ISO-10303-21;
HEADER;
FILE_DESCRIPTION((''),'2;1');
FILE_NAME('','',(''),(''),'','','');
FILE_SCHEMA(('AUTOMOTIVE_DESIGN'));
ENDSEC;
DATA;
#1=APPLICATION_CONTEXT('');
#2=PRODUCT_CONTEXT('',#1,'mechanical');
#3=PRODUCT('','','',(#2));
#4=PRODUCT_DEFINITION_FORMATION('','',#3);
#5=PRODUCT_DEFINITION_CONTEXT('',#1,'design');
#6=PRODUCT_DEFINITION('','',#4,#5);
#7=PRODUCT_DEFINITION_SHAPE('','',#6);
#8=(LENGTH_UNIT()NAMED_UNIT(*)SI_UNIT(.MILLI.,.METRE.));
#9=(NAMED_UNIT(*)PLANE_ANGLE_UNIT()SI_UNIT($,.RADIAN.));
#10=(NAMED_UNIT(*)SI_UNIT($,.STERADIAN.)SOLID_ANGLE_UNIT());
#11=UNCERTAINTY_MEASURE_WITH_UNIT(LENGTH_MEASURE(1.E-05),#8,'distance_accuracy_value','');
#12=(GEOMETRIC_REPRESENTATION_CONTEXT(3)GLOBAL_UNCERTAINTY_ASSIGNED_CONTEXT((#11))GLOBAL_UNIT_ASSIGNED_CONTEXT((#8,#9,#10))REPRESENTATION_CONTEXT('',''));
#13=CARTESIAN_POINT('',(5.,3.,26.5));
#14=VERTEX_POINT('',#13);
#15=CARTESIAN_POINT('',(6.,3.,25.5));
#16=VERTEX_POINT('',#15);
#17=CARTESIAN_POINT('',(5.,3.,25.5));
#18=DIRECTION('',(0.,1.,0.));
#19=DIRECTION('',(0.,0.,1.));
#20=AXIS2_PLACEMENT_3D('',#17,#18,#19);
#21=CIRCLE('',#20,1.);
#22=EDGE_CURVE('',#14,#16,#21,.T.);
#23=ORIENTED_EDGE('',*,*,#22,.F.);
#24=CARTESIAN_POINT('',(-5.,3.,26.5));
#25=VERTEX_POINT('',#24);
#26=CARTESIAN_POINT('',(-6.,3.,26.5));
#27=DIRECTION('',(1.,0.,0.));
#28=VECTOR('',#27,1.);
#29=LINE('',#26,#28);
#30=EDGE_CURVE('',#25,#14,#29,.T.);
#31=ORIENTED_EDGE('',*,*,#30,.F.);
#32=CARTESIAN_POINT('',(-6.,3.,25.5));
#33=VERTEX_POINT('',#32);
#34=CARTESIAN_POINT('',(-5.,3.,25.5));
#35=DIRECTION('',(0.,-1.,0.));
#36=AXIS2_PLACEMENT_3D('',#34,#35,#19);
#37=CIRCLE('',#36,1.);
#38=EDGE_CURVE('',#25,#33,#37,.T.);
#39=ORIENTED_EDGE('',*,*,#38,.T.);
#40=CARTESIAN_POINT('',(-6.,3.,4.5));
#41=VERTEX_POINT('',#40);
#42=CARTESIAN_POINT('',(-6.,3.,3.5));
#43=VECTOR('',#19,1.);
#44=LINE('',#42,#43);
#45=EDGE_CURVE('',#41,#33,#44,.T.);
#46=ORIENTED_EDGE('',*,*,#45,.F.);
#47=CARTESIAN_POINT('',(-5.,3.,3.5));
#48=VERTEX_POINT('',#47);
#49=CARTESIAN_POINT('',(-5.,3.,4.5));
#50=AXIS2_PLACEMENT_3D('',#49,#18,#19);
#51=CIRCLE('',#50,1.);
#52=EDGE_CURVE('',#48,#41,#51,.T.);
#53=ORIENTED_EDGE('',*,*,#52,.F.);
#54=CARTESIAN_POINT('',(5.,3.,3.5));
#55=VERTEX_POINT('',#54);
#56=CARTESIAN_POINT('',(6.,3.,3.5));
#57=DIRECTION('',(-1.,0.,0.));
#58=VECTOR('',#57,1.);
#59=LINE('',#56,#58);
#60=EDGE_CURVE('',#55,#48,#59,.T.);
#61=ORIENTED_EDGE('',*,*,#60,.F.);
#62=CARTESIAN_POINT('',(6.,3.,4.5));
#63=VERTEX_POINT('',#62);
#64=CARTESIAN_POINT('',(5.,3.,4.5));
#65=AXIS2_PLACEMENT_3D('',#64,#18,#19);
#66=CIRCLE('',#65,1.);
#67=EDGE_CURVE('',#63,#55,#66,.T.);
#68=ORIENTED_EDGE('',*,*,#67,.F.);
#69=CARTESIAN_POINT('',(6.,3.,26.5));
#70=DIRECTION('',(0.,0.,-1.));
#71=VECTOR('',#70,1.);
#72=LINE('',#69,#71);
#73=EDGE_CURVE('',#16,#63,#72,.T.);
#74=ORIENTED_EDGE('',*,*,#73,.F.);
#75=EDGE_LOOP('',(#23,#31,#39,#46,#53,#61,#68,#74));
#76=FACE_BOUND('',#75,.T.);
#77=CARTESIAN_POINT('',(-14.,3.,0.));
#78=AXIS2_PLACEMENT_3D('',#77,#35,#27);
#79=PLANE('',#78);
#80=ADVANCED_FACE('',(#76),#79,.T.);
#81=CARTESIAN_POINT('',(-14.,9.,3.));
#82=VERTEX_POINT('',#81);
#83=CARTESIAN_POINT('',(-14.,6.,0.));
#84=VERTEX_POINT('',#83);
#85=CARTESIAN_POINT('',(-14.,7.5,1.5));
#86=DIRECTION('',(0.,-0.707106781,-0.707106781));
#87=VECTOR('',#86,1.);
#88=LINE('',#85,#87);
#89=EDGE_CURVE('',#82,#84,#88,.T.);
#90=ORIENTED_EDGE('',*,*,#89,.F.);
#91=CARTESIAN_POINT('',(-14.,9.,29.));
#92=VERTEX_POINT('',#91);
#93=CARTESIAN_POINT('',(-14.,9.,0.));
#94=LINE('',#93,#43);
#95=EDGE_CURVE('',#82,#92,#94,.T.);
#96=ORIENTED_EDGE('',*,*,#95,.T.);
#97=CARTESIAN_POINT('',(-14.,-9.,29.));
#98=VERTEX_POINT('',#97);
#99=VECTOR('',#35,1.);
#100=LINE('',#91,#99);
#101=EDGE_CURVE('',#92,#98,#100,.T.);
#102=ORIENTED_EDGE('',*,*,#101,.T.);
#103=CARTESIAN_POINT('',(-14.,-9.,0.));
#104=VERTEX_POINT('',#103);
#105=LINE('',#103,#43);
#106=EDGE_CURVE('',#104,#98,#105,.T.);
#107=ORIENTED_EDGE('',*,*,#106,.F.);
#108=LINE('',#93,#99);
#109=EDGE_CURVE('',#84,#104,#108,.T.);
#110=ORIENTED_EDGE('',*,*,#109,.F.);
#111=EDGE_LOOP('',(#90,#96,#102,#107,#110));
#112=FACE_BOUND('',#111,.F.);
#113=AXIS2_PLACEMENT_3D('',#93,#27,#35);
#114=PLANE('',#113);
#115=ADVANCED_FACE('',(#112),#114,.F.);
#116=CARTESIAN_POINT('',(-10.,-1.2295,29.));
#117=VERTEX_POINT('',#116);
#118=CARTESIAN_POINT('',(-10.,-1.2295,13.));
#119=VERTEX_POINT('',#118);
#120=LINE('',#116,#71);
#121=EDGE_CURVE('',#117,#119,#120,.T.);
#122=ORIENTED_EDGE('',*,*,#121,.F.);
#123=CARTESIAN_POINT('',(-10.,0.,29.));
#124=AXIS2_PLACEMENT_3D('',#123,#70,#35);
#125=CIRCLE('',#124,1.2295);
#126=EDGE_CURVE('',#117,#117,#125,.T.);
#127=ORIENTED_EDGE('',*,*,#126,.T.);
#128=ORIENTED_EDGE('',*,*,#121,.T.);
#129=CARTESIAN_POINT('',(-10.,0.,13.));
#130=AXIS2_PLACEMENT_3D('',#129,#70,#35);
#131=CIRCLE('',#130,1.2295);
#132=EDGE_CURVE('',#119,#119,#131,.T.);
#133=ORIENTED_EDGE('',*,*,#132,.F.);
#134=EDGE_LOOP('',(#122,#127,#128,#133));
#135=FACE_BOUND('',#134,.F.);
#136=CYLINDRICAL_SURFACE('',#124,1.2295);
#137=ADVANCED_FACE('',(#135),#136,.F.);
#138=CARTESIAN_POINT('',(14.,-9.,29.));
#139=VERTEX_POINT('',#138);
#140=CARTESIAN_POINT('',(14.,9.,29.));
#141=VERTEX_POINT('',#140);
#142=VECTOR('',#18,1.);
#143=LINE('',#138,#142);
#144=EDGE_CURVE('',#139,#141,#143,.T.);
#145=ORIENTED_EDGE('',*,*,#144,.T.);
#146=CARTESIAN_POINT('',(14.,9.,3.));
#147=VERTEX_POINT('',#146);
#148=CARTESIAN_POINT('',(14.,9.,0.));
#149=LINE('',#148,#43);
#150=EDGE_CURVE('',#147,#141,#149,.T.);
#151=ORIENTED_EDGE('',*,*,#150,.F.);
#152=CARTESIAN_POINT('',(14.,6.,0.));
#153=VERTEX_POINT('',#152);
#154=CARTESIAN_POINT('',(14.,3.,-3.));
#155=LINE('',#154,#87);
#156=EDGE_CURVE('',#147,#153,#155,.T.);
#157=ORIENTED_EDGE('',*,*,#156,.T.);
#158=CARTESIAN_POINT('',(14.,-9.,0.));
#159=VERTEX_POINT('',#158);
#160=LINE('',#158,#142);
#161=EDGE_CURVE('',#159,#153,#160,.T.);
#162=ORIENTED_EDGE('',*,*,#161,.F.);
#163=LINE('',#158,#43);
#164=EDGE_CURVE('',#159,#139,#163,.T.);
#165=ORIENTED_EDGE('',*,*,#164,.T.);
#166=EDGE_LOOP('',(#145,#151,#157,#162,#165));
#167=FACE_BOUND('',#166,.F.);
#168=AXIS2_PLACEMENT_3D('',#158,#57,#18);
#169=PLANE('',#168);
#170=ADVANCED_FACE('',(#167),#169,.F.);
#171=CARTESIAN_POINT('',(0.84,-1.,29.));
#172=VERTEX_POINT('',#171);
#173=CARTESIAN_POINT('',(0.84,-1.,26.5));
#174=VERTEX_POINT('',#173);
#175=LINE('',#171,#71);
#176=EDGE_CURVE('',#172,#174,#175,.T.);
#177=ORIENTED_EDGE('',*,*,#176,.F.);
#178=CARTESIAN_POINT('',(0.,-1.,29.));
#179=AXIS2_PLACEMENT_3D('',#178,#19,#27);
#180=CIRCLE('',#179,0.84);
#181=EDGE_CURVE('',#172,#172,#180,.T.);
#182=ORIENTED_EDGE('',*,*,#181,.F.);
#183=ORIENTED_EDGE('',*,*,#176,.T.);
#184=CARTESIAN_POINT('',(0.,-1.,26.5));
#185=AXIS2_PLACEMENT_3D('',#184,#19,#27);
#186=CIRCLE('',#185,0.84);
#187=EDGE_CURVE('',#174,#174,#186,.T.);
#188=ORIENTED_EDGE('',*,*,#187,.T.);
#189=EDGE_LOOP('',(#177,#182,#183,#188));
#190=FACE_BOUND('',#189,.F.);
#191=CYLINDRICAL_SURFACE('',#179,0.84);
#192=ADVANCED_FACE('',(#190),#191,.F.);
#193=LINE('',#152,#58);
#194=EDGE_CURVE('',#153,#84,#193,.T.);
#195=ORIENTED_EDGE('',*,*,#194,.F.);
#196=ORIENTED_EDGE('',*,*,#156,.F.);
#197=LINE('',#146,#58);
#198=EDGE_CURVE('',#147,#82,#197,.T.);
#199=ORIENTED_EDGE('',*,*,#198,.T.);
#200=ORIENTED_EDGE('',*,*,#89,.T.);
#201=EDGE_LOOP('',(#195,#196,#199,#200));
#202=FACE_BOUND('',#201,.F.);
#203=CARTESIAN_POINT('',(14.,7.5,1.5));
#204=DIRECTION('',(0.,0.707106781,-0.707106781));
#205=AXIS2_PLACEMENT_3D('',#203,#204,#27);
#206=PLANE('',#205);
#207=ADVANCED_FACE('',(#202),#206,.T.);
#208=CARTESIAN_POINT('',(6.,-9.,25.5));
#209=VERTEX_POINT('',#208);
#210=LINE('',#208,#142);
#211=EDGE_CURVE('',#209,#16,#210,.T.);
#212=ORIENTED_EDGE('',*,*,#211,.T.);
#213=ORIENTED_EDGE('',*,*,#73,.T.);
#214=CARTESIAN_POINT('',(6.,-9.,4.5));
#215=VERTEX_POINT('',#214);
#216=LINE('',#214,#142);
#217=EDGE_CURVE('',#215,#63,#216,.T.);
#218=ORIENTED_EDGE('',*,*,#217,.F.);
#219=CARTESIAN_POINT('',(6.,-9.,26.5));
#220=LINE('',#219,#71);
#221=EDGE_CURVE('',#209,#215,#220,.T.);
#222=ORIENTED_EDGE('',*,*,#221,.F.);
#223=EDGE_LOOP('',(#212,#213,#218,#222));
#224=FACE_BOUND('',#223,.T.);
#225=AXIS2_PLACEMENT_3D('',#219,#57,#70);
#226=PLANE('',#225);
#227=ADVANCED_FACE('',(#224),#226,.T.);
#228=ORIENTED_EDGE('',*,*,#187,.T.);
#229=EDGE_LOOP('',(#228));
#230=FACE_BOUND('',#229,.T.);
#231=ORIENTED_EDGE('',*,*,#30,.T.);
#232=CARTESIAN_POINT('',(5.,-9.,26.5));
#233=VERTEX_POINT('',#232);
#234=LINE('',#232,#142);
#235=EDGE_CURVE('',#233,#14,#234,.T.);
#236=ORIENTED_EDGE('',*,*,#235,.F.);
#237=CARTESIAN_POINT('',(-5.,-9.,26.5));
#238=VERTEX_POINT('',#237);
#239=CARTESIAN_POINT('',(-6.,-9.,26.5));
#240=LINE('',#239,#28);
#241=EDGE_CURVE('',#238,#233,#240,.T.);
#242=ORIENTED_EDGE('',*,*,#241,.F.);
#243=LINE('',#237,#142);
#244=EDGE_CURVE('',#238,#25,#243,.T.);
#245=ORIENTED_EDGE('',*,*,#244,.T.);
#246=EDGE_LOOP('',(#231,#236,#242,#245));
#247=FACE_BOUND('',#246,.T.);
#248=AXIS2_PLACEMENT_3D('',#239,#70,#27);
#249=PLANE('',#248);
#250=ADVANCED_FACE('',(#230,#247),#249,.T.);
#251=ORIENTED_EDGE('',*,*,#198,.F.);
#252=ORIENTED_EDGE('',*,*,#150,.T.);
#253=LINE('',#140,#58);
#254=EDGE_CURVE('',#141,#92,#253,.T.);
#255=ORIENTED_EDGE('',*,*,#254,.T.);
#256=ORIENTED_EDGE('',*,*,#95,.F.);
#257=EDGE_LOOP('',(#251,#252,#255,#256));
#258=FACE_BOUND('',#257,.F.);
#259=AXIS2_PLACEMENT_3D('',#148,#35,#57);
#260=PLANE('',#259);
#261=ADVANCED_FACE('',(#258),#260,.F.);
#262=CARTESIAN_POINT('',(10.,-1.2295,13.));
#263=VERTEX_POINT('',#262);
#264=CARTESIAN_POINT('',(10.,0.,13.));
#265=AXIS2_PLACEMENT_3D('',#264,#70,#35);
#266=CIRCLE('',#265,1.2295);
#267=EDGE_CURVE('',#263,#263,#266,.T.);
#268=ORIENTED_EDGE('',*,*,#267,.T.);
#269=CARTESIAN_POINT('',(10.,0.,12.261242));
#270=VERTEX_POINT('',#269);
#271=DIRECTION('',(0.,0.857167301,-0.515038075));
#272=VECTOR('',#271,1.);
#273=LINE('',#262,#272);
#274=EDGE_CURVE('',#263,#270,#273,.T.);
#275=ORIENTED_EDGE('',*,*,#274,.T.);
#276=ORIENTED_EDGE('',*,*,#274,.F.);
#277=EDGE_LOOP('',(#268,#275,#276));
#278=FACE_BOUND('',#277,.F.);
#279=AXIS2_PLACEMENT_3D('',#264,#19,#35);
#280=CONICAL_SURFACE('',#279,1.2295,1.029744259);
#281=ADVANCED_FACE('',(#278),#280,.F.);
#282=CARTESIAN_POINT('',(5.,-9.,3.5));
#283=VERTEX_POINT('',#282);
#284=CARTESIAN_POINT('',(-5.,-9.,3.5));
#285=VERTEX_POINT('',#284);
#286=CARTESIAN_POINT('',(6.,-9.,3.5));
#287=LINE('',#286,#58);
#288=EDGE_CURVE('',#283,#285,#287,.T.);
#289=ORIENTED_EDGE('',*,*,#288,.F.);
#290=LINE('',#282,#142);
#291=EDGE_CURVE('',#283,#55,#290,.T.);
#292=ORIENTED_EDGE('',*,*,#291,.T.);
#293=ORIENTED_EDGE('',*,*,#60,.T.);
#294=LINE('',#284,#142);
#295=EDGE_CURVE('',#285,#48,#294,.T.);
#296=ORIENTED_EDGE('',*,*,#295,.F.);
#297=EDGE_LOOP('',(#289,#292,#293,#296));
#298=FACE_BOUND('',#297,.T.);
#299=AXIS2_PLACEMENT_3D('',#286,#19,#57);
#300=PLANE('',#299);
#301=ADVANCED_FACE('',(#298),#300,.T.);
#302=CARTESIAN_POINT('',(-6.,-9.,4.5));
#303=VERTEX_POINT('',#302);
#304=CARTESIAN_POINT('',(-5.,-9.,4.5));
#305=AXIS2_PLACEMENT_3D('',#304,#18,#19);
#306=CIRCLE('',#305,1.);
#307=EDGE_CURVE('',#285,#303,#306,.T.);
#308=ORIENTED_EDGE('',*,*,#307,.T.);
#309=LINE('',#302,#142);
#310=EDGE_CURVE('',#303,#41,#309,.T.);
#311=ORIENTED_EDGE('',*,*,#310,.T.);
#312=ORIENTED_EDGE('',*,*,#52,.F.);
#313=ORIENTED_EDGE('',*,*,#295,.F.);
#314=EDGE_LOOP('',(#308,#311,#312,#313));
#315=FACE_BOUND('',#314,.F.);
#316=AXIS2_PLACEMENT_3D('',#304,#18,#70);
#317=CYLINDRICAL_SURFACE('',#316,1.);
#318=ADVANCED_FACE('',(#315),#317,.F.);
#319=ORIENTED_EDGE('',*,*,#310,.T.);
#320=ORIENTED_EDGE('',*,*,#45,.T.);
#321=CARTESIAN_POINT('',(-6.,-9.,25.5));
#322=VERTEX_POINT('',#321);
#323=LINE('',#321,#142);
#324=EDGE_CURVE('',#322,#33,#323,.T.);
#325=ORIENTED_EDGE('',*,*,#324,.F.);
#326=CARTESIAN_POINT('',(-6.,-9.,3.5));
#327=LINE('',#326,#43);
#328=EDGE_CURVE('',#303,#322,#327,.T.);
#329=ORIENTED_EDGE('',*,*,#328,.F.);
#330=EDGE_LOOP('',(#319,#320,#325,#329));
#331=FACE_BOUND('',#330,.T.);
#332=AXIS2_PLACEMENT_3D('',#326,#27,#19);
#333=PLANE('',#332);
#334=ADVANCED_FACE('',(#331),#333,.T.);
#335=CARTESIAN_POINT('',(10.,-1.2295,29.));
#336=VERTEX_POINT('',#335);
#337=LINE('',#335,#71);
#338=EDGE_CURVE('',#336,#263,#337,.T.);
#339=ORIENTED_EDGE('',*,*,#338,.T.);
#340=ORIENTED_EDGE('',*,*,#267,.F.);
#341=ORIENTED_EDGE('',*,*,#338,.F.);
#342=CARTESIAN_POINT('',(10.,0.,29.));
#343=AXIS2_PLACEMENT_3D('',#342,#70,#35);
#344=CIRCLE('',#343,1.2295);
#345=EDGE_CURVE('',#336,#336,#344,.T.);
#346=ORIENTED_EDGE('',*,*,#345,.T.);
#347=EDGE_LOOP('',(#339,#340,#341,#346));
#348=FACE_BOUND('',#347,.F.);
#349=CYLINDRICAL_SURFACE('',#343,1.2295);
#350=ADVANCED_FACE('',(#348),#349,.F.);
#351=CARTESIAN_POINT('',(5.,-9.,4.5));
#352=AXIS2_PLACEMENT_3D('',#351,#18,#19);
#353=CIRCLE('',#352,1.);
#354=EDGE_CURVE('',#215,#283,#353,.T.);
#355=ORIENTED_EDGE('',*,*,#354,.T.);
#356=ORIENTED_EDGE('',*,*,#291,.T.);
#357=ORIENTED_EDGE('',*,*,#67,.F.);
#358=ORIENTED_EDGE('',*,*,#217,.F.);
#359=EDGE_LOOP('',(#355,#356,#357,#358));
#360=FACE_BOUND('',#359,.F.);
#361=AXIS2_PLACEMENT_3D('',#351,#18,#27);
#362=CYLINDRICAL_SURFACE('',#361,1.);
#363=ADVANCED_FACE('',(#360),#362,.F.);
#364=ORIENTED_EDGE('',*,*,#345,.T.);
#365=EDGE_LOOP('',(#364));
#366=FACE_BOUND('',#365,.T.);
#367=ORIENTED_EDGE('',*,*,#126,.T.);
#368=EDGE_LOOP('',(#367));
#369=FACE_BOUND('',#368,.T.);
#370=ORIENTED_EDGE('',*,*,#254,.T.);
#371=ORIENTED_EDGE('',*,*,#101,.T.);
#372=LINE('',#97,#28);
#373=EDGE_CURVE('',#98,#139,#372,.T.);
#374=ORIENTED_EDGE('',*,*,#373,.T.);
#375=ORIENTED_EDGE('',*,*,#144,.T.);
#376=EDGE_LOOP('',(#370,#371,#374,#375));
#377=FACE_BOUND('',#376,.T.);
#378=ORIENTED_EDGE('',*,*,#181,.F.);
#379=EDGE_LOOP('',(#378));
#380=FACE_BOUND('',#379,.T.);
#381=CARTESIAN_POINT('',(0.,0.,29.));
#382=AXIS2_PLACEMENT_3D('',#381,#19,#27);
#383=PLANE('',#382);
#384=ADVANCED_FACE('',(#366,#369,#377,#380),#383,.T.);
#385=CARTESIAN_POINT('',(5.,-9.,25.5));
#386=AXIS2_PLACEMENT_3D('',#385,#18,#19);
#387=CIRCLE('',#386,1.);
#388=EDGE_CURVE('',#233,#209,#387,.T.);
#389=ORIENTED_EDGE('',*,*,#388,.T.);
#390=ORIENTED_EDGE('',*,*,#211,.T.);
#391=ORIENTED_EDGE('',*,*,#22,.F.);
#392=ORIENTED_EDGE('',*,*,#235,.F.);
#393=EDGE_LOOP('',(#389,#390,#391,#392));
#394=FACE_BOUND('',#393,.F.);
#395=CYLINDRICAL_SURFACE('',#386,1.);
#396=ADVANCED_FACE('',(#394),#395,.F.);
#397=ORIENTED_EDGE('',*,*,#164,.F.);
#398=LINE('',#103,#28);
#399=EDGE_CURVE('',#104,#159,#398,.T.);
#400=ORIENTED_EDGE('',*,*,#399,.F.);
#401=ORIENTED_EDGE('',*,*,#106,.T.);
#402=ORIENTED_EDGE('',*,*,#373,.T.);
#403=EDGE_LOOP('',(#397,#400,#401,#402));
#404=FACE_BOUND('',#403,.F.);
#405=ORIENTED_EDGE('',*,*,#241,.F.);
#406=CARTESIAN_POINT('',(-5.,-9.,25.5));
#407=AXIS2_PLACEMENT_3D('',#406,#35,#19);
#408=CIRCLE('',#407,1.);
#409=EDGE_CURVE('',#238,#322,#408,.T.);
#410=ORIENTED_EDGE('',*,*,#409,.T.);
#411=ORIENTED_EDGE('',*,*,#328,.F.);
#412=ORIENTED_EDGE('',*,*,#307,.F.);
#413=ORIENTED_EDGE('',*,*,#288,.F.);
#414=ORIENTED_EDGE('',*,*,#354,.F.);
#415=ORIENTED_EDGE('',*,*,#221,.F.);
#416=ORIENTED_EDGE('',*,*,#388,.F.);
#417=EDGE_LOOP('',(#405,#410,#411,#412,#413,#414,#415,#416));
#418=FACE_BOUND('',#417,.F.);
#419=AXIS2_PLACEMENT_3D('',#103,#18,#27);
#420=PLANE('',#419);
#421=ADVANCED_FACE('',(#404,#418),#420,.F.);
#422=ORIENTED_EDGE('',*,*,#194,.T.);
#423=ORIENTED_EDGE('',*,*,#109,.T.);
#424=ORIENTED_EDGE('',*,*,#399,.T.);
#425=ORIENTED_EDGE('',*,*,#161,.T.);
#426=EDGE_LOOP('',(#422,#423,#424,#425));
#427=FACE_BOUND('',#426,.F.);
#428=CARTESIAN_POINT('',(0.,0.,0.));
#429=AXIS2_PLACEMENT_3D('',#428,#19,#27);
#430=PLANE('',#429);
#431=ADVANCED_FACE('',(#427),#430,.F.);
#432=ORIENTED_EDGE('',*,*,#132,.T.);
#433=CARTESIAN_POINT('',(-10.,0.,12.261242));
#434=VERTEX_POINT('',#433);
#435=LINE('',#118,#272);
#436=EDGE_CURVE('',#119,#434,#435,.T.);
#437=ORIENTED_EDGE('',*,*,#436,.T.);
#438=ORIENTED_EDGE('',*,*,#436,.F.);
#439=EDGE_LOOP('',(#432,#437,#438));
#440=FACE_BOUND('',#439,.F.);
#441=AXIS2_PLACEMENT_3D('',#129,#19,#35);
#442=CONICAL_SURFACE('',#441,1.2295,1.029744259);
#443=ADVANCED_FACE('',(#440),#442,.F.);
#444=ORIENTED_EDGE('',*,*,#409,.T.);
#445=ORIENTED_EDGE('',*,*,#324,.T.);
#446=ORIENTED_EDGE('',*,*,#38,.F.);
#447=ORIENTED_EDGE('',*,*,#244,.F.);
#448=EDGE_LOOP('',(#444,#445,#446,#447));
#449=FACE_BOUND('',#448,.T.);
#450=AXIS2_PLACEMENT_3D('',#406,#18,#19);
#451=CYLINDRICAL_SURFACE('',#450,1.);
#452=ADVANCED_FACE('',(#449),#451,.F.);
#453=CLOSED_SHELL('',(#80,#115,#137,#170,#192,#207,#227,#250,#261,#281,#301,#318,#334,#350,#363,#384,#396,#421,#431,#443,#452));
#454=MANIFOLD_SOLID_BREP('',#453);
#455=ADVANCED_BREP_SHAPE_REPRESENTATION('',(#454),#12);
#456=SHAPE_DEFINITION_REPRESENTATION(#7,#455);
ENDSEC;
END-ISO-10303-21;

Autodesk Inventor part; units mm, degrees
ref_plane "YZ Plane" through (0, 0, 0) normal (1, 0, 0) x (0, 1, 0)
ref_plane "XZ Plane" through (0, 0, 0) normal (0, 1, 0) x (-1, 0, 0)
ref_plane "XY Plane" through (0, 0, 0) normal (0, 0, 1) x (1, 0, 0)
sketch "Esboço1" plane through (0, 0, 0) normal (0, 0, 1) x (1, 0, 0)
  line L0 (-14, -9) -> (14, -9)
  line L1 (14, -9) -> (14, 9)
  line L2 (14, 9) -> (-14, 9)
  line L3 (-14, 9) -> (-14, -9)
  line L4 (-14, -9) -> (14, 9) construction
  line L5 (14, -9) -> (-14, 9) construction
  point P0 (0, 0)
  dimension "d0" = 18
  dimension "d3" = 28
extrude "Extrusão1" add sketch "Esboço1" along normal blind 29
sketch "Esboço2" plane through (0, 0, 29) normal (0, 0, 1) x (1, 0, 0)
  circle A0 centre (0, -1) radius 0.84
  line L0 (-14, -9) -> (14, -9) projected
  point P0 (0, 0)
  dimension "d4" = 1.68
  dimension "d5" = 8
extrude "Extrusão2" cut sketch "Esboço2" against normal blind 20
sketch "Esboço3" plane through (-14, -9, 0) normal (0, -1, 0) x (1, 0, 0)
  line L0 (8, 26.5) -> (20, 26.5)
  line L1 (20, 26.5) -> (20, 3.5)
  line L2 (20, 3.5) -> (8, 3.5)
  line L3 (8, 3.5) -> (8, 26.5)
  line L4 (0, 29) -> (28, 29) projected
  line L5 (0, 0) -> (28, 0) projected
  point P0 (14, 0)
  point P1 (14, 0)
  point P2 (14, 3.5)
  dimension "d8" = 2.5
  dimension "d9" = 12
  dimension "d10" = 0
  dimension "d11" = 23
extrude "Extrusão3" cut sketch "Esboço3" against normal blind 12
sketch "Esboço4" plane through (0, 0, 29) normal (0, 0, 1) x (1, 0, 0)
  line L0 (-14, 9) -> (-14, -9) projected
  line L1 (14, -9) -> (14, 9) projected
  point P0 (0, 0)
  point P1 (-10, 0)
  point P2 (10, 0)
  point P3 (-6, -9)
  point P4 (6, -9)
  dimension "d14" = 4
  dimension "d15" = 4
hole "Furo1" at (10, 0, 29) at (-10, 0, 29) direction (0, 0, -1) diameter 2.459 depth 16 tip angle 118 thread size "M3x0.5" class "6H" standard "ISO Metric profile"
chamfer "Chanfro1" distance 3 angle 45 1 edges at (0, 9, 0)
fillet "Arredondamento1" radius 1 4 edges at (6, -3, 26.5) (-6, -3, 26.5) (-6, -3, 3.5) (6, -3, 3.5)
properties part number "CASE PROT IR" material "Poliacetal"
